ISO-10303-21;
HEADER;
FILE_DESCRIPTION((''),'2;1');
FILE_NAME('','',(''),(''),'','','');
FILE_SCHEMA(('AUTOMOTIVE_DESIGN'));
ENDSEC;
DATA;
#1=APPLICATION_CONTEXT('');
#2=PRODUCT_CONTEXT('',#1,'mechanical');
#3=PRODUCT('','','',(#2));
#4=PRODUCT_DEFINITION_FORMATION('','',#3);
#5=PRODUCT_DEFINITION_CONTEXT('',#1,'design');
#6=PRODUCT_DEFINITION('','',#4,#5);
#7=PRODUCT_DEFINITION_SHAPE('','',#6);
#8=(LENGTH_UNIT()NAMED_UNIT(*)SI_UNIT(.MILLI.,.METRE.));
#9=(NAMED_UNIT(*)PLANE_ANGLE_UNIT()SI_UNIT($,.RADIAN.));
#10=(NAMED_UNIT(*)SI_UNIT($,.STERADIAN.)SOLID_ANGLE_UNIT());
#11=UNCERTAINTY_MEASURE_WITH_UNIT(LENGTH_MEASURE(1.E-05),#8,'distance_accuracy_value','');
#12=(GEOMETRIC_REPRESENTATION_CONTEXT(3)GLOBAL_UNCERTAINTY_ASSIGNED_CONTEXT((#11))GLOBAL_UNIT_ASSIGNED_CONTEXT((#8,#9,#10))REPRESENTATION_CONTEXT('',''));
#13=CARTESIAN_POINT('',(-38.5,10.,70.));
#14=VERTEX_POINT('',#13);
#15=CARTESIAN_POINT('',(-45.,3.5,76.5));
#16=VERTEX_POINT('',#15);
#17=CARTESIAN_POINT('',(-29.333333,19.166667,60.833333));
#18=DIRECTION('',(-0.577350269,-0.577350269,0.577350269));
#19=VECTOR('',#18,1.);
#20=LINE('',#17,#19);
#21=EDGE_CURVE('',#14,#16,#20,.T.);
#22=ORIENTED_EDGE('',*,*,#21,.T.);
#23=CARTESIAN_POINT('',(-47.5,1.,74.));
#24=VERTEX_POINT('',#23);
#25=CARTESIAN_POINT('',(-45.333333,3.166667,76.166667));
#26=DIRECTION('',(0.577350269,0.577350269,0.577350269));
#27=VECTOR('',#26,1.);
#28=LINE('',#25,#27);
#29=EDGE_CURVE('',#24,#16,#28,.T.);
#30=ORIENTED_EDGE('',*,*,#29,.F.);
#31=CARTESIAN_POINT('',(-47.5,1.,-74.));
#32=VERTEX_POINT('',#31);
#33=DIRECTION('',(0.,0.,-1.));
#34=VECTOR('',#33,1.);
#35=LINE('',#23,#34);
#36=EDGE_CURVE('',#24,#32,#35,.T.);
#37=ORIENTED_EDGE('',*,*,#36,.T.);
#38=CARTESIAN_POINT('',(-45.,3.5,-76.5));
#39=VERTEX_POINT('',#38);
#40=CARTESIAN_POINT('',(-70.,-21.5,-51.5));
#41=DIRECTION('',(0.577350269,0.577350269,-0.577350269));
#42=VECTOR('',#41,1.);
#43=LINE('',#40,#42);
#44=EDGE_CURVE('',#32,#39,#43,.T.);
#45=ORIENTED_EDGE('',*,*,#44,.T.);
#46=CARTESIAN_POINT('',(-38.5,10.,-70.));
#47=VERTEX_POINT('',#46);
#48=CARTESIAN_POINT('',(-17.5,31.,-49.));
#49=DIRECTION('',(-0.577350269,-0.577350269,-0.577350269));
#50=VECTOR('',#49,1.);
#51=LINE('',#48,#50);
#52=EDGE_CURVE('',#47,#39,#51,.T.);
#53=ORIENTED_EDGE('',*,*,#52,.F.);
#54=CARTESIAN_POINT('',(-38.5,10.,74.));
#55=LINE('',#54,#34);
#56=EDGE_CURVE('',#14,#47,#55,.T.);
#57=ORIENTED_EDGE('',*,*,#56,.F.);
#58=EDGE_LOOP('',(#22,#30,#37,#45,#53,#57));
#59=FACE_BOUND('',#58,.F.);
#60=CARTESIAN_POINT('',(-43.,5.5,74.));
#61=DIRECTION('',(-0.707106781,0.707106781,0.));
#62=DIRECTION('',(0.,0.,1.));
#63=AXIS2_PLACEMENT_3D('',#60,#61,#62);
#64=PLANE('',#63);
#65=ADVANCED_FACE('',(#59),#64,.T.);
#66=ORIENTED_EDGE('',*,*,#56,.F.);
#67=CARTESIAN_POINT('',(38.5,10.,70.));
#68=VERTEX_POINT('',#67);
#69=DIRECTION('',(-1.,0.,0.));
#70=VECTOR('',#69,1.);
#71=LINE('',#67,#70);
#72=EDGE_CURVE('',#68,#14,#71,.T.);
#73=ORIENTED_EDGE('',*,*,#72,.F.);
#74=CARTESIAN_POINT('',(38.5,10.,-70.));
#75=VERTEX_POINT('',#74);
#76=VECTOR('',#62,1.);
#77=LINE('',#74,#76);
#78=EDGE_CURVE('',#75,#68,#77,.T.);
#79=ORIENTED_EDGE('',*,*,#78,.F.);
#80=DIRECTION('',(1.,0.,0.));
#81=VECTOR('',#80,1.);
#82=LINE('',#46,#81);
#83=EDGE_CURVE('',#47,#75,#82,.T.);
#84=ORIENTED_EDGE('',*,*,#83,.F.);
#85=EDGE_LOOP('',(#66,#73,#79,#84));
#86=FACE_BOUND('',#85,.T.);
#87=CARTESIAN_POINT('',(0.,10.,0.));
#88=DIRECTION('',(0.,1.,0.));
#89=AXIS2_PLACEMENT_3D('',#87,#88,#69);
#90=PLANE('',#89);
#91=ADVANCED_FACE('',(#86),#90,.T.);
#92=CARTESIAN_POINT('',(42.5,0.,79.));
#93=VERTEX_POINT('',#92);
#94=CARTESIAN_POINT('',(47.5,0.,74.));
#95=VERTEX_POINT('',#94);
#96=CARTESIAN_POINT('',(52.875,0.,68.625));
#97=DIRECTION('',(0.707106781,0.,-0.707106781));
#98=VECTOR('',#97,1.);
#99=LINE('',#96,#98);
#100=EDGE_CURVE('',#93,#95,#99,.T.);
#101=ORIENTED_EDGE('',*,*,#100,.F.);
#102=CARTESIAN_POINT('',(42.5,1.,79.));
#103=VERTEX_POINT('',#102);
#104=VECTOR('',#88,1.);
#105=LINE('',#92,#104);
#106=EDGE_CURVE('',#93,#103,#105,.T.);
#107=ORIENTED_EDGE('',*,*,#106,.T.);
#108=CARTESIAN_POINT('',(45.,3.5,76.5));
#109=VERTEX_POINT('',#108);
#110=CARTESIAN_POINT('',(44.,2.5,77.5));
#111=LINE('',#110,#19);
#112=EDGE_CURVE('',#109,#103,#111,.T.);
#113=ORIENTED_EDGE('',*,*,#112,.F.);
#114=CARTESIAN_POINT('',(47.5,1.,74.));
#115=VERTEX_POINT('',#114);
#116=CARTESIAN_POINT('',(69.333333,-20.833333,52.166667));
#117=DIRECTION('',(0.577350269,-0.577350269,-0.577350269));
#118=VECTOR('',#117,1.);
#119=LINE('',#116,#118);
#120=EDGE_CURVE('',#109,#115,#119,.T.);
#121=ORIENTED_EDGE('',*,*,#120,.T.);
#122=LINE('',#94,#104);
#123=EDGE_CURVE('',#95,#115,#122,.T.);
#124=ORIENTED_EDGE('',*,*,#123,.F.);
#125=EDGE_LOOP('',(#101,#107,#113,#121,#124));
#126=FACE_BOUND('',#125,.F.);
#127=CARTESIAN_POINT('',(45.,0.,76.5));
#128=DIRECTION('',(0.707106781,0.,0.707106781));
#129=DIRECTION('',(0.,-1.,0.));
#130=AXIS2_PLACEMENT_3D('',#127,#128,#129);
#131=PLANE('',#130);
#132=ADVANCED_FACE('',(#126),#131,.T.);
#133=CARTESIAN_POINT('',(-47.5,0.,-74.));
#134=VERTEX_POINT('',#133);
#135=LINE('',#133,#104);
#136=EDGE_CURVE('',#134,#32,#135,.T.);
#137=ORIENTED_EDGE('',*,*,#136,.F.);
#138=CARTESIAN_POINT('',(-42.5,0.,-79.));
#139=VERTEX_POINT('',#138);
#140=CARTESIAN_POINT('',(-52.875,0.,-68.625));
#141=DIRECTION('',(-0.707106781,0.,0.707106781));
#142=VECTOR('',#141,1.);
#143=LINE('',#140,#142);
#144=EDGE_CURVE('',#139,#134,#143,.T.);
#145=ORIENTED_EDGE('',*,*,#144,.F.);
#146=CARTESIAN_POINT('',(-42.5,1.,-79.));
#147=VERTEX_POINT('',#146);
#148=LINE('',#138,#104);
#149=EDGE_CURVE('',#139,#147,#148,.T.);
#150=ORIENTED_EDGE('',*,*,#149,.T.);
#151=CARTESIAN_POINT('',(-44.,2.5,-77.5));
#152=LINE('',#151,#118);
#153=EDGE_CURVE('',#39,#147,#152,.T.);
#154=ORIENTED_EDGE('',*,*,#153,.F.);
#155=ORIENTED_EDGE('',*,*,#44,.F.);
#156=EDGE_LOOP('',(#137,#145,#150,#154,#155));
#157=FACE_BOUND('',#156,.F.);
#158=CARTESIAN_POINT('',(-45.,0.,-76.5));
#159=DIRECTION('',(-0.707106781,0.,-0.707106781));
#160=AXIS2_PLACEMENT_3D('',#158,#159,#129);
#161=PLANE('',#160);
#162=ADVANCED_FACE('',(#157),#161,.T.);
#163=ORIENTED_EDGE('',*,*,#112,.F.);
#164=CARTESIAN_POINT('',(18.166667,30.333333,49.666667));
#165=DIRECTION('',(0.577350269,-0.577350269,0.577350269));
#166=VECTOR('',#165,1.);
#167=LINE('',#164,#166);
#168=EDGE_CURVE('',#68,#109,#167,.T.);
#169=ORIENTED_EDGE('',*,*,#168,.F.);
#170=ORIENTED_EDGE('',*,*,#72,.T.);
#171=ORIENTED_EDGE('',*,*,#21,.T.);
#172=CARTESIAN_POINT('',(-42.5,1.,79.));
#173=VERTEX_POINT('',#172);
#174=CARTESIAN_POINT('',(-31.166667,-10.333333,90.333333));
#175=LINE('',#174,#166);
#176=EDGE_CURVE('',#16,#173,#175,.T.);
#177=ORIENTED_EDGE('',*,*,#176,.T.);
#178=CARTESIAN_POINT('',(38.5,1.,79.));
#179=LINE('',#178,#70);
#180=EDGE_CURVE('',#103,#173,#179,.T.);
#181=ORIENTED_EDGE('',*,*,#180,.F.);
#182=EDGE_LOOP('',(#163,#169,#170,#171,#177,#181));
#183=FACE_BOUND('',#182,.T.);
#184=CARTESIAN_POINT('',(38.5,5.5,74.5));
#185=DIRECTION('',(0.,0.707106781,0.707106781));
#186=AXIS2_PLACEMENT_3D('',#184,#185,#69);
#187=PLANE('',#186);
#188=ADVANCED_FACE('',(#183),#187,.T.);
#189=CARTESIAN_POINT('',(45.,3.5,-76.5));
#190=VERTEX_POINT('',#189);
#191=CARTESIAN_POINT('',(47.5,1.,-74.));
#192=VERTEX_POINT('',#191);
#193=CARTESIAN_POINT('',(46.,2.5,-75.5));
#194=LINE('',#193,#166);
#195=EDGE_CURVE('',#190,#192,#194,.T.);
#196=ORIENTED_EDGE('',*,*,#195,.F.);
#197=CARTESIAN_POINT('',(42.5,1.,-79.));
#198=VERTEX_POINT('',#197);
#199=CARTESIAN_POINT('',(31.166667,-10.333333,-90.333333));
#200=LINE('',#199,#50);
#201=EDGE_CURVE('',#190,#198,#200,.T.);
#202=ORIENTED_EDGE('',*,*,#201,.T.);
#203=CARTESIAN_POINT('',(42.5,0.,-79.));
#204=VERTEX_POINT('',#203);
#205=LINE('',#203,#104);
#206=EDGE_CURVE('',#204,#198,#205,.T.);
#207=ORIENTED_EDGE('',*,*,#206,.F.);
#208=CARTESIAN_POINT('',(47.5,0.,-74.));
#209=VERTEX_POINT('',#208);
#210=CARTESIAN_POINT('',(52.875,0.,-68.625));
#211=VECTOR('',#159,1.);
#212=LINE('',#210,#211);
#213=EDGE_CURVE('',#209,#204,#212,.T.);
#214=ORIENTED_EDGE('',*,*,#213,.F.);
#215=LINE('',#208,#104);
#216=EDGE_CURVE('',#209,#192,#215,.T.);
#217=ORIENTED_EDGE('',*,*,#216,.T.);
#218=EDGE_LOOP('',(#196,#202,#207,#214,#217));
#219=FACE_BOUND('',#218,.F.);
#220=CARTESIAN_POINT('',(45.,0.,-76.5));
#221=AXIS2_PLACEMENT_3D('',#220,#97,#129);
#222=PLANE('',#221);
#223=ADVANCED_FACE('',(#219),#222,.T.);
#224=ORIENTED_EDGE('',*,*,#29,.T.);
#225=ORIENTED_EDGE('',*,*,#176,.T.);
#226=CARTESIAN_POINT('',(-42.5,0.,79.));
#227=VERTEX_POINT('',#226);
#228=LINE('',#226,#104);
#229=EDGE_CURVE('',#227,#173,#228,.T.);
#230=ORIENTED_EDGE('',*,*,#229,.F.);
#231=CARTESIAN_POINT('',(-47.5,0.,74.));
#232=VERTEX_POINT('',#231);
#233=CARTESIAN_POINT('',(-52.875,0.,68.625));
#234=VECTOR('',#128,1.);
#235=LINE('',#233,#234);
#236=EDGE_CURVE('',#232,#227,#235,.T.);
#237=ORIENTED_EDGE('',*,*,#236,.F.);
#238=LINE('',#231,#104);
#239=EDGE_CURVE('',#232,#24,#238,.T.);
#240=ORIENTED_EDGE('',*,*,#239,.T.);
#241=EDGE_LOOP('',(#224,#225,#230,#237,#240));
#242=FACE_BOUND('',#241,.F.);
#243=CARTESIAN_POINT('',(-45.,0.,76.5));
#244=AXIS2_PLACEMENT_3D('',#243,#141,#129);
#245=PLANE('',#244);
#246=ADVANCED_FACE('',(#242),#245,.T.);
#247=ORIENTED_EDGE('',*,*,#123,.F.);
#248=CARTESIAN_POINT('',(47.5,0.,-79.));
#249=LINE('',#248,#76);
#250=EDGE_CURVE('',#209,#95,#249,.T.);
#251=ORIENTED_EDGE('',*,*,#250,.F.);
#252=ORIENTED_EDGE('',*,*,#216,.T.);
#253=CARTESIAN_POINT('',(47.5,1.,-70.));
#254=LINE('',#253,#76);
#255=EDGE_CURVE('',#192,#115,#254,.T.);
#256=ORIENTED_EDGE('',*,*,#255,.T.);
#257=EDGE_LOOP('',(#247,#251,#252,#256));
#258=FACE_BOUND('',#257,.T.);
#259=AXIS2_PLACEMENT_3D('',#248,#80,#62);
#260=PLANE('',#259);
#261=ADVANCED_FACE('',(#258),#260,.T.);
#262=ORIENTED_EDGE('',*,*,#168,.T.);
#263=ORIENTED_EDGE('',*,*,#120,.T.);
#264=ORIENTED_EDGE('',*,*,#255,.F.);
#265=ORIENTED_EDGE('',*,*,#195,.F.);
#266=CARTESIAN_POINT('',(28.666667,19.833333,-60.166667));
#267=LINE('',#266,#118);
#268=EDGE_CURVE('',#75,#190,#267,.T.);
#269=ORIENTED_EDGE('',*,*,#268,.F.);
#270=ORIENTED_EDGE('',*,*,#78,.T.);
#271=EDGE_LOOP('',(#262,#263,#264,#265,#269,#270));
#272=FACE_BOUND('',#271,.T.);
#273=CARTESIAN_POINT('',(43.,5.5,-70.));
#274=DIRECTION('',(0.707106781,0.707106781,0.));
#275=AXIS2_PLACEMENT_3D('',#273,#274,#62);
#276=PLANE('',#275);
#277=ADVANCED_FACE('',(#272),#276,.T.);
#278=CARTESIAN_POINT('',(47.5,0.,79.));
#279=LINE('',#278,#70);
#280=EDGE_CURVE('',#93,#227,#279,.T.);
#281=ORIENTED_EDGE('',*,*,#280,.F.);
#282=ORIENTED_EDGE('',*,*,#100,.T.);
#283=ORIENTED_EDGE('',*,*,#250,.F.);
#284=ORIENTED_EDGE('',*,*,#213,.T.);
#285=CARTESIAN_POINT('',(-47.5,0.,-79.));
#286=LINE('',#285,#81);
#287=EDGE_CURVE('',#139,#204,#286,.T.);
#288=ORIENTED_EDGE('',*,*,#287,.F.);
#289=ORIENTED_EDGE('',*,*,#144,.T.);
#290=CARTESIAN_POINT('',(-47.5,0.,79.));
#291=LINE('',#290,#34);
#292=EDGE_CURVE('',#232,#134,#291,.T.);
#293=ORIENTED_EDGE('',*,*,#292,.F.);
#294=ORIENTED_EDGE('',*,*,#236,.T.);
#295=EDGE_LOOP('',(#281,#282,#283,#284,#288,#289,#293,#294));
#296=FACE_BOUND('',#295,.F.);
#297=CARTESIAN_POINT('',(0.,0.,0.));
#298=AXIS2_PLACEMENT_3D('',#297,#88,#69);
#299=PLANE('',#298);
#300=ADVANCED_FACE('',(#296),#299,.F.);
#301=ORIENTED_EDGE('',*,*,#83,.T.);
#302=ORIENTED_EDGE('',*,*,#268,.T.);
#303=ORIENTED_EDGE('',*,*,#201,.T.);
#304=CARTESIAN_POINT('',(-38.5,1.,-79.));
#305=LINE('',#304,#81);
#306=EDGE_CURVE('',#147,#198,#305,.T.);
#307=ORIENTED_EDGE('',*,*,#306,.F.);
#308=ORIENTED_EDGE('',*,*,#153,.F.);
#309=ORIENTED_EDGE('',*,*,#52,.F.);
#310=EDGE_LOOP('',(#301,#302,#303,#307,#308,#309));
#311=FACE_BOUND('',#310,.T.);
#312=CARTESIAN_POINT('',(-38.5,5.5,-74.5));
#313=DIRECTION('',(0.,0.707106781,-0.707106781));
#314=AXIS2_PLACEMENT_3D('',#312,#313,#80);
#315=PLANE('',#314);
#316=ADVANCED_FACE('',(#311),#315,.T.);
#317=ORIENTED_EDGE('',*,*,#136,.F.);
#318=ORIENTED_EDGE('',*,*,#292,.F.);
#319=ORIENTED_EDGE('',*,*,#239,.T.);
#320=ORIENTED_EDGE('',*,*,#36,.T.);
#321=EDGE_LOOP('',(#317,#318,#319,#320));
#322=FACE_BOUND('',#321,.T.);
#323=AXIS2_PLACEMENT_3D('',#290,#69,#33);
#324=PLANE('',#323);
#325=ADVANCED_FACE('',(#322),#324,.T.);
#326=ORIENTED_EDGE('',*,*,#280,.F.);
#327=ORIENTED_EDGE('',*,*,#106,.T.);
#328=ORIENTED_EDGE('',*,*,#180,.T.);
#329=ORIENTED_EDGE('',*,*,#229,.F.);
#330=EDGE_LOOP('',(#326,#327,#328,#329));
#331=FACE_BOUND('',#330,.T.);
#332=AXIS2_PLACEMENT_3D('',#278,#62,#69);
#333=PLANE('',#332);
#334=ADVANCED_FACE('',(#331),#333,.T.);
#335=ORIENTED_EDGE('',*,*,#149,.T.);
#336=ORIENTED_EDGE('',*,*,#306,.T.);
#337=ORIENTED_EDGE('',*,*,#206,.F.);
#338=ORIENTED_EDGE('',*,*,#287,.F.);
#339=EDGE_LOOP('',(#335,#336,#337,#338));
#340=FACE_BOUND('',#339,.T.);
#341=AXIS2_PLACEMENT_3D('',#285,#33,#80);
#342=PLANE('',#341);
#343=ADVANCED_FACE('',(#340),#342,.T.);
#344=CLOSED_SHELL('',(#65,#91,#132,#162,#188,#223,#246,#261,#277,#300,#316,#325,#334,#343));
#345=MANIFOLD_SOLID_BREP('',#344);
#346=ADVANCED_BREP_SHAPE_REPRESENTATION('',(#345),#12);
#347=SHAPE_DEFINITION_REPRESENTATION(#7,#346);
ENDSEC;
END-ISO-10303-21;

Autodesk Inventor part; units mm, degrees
ref_plane "YZ Plane" through (0, 0, 0) normal (1, 0, 0) x (0, 1, 0)
ref_plane "XZ Plane" through (0, 0, 0) normal (0, 1, 0) x (-1, 0, 0)
ref_plane "XY Plane" through (0, 0, 0) normal (0, 0, 1) x (1, 0, 0)
sketch "Эскиз1" plane through (0, 0, 0) normal (0, 1, 0) x (-1, 0, 0)
  line L0 (-47.5, 79) -> (47.5, 79)
  line L1 (47.5, 79) -> (47.5, -79)
  line L2 (47.5, -79) -> (-47.5, -79)
  line L3 (-47.5, -79) -> (-47.5, 79)
  line L4 (-47.5, 79) -> (47.5, -79) construction
  line L5 (47.5, 79) -> (-47.5, -79) construction
  point P0 (0, 0)
  dimension "d0" = 95
  dimension "d1" = 158
extrude "Выдавливание1" add sketch "Эскиз1" along normal blind 10
chamfer "Фаска1" distance 5 angle 45 1 edges at (47.5, 5, 79) measured on face at (47.5, 6.6667, 26.3333)
chamfer "Фаска2" distance 5 angle 45 1 edges at (47.5, 5, -79) measured on face at (15.8333, 3.3333, -79)
chamfer "Фаска3" distance 5 angle 45 1 edges at (-47.5, 5, -79) measured on face at (12.5, 3.3333, -79)
chamfer "Фаска4" distance 5 angle 45 1 edges at (-47.5, 5, 79) measured on face at (-17.5, 3.3333, 79)
chamfer "Фаска5" distance 9 angle 45 1 edges at (-47.5, 10, 0) measured on face at (15.8333, 10, 24.6667)
chamfer "Фаска6" distance 9 angle 45 1 edges at (2, 10, -79) measured on face at (-9.8333, 10, -24.6667)
chamfer "Фаска7" distance 9 angle 45 1 edges at (47.5, 10, 2) measured on face at (-9.8333, 10, 27.6667)
chamfer "Фаска8" distance 9 angle 45 1 edges at (0, 10, 79) measured on face at (12.8333, 10, -20.3333)
